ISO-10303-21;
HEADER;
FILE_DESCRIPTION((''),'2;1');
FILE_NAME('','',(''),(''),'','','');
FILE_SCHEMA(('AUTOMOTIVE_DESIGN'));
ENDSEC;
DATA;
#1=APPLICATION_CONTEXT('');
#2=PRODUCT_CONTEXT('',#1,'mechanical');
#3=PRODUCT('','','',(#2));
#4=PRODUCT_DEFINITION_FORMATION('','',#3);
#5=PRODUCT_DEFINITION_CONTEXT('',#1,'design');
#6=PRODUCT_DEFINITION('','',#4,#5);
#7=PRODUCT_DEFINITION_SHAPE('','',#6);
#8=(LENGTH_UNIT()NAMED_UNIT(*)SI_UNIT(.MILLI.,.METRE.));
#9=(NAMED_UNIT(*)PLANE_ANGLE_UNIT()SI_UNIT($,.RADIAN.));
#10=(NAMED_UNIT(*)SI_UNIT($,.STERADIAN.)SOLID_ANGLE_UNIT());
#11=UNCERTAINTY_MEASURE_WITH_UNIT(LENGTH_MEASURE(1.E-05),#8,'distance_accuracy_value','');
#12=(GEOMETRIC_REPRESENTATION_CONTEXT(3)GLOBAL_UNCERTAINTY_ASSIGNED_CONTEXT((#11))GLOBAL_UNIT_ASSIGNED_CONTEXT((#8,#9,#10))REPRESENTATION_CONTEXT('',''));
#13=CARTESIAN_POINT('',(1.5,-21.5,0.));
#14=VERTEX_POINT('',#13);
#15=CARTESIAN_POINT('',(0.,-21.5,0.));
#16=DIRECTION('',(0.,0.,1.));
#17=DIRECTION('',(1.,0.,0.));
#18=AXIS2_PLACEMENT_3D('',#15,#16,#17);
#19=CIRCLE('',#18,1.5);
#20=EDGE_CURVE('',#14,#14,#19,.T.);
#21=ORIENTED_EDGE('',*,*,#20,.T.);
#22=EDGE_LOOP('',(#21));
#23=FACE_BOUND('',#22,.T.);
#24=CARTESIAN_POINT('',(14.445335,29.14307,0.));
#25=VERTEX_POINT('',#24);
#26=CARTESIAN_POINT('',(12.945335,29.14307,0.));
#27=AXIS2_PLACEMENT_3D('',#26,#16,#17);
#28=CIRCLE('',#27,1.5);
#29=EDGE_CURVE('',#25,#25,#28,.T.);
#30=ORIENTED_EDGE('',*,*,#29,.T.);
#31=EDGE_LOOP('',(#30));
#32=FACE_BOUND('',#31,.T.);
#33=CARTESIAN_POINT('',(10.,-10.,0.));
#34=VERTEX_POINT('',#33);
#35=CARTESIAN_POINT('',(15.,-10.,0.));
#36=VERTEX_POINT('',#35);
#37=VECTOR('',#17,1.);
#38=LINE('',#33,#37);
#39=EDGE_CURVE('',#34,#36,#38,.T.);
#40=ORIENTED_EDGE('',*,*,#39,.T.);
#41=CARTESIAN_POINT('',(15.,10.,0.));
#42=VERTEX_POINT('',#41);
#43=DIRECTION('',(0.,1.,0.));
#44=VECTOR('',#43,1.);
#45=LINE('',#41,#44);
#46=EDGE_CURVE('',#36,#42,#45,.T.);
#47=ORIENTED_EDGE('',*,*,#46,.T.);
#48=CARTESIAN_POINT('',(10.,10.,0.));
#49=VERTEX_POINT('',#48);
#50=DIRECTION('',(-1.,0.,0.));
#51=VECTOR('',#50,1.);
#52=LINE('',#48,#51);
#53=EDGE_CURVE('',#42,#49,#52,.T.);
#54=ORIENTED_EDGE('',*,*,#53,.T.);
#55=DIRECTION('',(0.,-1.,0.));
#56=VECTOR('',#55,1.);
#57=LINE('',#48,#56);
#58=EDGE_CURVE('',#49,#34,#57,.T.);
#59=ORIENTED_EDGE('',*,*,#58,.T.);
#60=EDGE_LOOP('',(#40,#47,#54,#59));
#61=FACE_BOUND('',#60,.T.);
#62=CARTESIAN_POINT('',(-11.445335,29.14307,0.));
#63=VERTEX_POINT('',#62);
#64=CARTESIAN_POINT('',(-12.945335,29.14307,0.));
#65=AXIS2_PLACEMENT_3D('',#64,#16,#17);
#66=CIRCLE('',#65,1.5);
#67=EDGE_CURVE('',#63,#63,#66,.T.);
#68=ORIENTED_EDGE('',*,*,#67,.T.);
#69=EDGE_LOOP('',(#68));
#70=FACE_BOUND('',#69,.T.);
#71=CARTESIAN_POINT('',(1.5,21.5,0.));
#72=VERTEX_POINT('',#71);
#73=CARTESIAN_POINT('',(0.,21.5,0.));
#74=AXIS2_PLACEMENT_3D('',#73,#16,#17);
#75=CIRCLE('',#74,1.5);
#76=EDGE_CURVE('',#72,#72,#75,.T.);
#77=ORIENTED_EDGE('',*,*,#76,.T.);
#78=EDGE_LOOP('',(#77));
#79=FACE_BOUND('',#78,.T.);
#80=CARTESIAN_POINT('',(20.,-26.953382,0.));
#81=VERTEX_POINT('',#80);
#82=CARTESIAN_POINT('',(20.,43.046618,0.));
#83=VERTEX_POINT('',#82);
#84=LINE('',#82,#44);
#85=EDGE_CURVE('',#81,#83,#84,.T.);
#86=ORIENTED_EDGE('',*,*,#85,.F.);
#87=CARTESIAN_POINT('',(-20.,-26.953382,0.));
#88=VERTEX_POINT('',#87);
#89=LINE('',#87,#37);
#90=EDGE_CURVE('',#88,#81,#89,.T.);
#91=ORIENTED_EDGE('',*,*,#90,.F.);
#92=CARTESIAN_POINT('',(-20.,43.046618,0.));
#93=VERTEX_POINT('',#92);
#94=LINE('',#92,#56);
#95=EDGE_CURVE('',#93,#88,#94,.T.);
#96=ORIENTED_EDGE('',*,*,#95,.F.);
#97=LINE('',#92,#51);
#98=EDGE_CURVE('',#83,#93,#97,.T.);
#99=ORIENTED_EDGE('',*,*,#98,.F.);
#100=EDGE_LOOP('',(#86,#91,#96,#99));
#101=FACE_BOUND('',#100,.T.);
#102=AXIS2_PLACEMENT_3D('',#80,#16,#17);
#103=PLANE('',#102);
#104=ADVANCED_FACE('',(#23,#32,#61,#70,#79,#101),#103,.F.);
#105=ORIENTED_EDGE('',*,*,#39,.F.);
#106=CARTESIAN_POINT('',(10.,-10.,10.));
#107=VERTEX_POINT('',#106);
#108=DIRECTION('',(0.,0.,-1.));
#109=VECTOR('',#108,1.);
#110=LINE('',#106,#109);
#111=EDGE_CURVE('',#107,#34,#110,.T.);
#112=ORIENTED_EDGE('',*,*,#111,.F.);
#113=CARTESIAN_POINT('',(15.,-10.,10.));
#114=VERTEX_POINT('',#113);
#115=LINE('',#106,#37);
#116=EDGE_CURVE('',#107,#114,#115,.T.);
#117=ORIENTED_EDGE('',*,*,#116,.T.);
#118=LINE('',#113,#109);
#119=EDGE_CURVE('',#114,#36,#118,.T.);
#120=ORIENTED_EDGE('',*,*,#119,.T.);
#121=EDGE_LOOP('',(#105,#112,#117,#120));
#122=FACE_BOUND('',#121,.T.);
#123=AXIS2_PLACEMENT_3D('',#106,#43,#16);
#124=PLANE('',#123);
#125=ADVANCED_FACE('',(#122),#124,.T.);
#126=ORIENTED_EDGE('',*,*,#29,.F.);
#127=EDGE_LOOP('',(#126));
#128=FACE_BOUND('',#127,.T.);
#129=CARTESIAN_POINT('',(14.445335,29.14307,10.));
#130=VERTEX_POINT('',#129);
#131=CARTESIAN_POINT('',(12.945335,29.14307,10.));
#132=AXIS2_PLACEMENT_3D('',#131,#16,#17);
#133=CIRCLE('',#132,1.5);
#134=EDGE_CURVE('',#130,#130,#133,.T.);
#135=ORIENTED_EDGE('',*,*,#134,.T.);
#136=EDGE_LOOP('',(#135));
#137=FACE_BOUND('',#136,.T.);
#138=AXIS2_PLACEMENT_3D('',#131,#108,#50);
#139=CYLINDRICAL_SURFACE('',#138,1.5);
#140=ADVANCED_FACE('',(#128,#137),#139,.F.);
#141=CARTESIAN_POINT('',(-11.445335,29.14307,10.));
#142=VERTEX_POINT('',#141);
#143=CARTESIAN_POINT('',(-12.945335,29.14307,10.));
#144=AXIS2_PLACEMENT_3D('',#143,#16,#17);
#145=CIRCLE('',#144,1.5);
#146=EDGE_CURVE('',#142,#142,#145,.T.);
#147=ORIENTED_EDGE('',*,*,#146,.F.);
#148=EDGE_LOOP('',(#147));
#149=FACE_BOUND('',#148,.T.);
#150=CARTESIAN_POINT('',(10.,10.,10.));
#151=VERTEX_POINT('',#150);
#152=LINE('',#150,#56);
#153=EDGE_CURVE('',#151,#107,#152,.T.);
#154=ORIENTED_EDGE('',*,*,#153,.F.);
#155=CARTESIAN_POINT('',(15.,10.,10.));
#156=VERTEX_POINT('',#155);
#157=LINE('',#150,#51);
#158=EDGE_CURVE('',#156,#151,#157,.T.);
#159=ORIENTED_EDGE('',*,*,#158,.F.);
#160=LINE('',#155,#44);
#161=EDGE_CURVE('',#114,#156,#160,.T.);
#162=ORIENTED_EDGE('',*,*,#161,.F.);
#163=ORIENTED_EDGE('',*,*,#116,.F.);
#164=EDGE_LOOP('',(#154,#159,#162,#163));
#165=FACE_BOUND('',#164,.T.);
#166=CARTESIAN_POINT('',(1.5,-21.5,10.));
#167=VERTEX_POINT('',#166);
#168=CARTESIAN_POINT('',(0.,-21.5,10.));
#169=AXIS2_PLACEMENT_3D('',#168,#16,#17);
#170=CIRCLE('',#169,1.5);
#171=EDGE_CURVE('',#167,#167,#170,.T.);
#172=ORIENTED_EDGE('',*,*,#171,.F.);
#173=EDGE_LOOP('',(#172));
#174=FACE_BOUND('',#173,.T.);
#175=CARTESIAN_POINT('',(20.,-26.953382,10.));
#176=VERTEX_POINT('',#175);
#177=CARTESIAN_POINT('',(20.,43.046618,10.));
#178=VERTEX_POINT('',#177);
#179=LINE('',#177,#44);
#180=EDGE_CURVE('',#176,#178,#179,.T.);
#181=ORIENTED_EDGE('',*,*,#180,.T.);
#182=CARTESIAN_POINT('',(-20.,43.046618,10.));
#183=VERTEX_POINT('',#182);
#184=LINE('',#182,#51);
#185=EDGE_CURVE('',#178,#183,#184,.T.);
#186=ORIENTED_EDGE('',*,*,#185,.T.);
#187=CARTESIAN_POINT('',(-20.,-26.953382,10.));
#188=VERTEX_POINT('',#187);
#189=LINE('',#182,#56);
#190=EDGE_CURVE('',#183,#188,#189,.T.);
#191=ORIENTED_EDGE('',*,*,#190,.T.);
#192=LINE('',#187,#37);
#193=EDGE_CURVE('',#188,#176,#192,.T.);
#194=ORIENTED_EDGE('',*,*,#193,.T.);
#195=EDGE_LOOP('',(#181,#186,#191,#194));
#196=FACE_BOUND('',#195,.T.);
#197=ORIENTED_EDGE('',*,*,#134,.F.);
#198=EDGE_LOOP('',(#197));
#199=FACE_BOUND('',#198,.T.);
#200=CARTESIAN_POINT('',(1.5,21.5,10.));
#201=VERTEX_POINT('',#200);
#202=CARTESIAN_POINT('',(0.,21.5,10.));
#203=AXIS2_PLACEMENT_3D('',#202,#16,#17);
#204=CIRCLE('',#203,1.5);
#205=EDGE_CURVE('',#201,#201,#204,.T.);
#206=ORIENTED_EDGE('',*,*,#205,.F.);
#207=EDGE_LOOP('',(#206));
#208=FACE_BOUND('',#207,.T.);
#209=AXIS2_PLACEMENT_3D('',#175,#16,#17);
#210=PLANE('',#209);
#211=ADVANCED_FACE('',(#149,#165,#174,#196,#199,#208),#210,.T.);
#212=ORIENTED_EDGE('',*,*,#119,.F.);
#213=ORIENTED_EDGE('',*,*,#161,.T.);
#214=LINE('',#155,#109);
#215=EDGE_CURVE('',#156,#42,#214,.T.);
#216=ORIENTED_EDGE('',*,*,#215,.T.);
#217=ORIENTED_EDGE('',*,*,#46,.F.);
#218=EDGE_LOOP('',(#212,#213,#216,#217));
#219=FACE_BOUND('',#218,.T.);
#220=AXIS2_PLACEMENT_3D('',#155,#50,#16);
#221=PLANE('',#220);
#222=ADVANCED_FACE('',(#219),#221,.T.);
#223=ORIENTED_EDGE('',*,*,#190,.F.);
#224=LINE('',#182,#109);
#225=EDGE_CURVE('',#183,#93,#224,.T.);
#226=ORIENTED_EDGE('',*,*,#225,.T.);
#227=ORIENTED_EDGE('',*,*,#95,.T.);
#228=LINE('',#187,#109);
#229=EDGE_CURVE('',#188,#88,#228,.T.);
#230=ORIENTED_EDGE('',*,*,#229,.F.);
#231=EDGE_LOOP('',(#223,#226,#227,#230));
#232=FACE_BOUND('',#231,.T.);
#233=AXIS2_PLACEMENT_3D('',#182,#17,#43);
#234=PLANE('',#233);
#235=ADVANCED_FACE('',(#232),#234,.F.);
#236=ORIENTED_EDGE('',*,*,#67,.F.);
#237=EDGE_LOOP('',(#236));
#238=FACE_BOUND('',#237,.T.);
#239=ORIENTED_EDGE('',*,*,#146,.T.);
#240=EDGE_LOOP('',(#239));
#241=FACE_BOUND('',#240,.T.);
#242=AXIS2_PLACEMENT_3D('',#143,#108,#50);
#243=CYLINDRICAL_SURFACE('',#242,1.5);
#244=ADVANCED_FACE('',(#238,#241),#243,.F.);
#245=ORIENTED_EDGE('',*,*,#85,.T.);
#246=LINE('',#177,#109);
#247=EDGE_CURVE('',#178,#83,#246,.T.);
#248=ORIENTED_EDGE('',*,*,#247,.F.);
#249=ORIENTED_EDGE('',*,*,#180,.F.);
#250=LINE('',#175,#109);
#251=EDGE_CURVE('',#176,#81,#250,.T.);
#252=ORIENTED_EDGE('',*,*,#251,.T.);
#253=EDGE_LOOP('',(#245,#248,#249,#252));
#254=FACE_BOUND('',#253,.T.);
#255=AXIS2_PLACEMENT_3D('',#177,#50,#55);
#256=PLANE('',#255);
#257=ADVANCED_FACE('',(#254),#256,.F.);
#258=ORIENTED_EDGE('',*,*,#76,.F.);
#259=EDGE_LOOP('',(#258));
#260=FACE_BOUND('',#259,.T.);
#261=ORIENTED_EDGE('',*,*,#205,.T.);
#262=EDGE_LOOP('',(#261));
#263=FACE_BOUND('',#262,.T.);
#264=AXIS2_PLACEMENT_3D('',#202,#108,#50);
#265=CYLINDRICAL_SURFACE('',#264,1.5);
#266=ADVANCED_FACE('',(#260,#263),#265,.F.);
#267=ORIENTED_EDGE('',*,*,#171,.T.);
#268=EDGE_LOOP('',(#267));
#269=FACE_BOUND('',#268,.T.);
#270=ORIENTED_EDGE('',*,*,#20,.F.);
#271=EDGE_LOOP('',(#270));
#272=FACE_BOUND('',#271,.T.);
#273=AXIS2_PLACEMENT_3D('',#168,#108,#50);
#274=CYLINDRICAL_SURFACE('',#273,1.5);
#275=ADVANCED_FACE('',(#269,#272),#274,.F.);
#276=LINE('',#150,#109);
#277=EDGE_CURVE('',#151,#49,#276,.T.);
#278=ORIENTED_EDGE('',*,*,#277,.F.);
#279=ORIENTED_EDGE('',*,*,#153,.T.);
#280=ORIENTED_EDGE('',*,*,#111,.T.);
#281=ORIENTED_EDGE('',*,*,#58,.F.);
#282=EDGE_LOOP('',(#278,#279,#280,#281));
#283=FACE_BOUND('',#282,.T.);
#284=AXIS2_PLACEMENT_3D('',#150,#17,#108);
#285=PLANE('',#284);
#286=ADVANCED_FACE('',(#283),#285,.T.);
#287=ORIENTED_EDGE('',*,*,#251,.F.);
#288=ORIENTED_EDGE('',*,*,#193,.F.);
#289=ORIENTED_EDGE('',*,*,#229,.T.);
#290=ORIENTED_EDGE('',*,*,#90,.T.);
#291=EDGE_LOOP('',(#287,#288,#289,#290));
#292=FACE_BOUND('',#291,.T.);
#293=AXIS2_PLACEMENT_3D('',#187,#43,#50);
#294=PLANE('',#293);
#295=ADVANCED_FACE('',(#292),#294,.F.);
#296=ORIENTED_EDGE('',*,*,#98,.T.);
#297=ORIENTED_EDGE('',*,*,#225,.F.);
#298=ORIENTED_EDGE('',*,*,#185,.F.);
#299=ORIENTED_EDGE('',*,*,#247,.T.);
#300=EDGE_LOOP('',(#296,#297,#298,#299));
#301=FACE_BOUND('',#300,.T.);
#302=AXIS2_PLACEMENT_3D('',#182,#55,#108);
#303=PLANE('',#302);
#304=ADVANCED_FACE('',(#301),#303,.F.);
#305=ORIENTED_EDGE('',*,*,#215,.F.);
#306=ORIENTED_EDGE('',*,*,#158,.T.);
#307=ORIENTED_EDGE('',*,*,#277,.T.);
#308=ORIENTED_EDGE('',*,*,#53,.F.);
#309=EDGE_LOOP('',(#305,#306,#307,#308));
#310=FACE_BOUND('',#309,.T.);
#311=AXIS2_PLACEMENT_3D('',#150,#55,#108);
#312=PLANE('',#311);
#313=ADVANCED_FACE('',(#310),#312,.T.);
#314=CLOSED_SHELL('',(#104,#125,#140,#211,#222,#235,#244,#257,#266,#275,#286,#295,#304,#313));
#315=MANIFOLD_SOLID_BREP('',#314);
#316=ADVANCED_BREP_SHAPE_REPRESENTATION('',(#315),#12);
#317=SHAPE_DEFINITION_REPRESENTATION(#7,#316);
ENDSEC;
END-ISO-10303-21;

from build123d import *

# Parameters (mm, degrees)
SKETCH_1_W      = 40
SKETCH_1_H      = 70
SKETCH_1_R      = 1.5
SKETCH_1_W_2    = 5
SKETCH_1_H_2    = 20
EXTRUDE_1_DEPTH = 10


with BuildPart() as part:
    # 草圖1 → 伸長1 (new body)
    with BuildSketch(Plane.XY):
        with Locations((0, 8.046617977)):
            Rectangle(SKETCH_1_W, SKETCH_1_H)
        with Locations((12.945335117, 29.143070151)):
            Circle(SKETCH_1_R, mode=Mode.SUBTRACT)
        with Locations((-12.945335117, 29.143070151)):
            Circle(SKETCH_1_R, mode=Mode.SUBTRACT)
        with Locations((0, -21.5)):
            Circle(SKETCH_1_R, mode=Mode.SUBTRACT)
        with Locations((0, 21.5)):
            Circle(SKETCH_1_R, mode=Mode.SUBTRACT)
        with Locations((12.5, 0)):
            Rectangle(SKETCH_1_W_2, SKETCH_1_H_2, mode=Mode.SUBTRACT)
    extrude(amount=EXTRUDE_1_DEPTH)


solid = part.part
